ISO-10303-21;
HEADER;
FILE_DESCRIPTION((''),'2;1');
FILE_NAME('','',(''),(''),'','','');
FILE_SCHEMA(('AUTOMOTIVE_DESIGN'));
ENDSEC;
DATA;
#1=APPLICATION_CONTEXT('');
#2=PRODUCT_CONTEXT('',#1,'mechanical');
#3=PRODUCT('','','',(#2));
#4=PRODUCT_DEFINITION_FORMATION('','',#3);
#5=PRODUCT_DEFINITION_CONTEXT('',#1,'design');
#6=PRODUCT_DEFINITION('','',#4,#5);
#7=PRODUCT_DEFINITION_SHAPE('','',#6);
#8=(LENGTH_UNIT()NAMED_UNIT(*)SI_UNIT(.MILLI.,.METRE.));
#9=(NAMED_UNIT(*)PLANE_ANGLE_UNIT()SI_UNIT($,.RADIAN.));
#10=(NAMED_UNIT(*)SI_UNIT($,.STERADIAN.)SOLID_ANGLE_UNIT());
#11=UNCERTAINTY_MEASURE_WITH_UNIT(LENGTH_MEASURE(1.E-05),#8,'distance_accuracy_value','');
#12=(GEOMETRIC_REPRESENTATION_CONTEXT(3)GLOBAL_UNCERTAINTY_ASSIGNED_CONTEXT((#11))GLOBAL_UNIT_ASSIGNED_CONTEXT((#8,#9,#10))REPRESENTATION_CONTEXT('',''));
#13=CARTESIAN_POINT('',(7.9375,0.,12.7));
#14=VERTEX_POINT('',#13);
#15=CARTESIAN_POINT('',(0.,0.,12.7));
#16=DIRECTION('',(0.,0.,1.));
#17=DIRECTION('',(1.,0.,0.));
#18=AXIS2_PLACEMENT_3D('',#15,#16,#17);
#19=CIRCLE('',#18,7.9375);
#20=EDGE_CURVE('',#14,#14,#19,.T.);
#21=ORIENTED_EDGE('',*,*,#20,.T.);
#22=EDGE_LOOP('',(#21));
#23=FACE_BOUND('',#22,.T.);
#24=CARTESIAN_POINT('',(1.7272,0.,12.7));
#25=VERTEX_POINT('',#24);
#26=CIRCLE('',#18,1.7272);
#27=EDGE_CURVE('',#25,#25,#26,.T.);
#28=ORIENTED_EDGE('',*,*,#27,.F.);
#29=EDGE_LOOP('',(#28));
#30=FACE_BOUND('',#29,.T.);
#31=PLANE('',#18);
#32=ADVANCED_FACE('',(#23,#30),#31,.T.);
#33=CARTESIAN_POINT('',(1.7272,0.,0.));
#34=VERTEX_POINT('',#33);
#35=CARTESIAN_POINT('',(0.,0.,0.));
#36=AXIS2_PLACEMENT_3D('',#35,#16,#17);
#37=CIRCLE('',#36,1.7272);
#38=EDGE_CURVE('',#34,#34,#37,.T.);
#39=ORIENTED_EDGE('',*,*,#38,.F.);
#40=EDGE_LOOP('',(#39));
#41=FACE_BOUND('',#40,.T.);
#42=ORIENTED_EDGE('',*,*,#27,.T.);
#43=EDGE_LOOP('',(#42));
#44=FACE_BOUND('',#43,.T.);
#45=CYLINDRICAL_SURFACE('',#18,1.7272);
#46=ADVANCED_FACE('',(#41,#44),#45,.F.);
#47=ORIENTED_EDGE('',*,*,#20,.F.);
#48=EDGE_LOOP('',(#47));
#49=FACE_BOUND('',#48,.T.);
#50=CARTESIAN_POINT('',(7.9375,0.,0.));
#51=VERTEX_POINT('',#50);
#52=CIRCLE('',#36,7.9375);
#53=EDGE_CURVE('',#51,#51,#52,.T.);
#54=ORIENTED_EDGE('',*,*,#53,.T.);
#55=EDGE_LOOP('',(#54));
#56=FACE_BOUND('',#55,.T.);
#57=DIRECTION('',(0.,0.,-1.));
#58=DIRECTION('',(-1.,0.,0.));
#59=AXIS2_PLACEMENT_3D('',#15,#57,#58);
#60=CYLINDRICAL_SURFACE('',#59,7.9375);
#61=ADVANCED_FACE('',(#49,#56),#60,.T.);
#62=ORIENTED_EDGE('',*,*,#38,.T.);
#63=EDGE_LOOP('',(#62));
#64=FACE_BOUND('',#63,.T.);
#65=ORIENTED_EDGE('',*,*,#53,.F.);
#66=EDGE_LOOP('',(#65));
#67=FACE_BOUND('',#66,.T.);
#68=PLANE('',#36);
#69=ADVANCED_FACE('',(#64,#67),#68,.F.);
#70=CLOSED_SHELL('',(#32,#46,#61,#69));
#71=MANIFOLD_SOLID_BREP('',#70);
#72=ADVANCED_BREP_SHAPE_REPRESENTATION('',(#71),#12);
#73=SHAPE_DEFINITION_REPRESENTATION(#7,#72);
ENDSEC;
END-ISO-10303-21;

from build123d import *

# Parameters (mm, degrees)
SKETCH1_R             = 7.9375
BOSS_EXTRUDE1_DEPTH   = 12.7
F_8_32_TAPPED_HOLE1_D = 3.4544


with BuildPart() as part:
    # Sketch1 → Boss-Extrude1 (new body)
    with BuildSketch(Plane.XY):
        Circle(SKETCH1_R)
    extrude(amount=BOSS_EXTRUDE1_DEPTH)

    # #8-32 Tapped Hole1 (through all)
    with Locations(Plane.XY.offset(12.7)):
        with Locations((0, 0)):
            Hole(F_8_32_TAPPED_HOLE1_D / 2)


solid = part.part
